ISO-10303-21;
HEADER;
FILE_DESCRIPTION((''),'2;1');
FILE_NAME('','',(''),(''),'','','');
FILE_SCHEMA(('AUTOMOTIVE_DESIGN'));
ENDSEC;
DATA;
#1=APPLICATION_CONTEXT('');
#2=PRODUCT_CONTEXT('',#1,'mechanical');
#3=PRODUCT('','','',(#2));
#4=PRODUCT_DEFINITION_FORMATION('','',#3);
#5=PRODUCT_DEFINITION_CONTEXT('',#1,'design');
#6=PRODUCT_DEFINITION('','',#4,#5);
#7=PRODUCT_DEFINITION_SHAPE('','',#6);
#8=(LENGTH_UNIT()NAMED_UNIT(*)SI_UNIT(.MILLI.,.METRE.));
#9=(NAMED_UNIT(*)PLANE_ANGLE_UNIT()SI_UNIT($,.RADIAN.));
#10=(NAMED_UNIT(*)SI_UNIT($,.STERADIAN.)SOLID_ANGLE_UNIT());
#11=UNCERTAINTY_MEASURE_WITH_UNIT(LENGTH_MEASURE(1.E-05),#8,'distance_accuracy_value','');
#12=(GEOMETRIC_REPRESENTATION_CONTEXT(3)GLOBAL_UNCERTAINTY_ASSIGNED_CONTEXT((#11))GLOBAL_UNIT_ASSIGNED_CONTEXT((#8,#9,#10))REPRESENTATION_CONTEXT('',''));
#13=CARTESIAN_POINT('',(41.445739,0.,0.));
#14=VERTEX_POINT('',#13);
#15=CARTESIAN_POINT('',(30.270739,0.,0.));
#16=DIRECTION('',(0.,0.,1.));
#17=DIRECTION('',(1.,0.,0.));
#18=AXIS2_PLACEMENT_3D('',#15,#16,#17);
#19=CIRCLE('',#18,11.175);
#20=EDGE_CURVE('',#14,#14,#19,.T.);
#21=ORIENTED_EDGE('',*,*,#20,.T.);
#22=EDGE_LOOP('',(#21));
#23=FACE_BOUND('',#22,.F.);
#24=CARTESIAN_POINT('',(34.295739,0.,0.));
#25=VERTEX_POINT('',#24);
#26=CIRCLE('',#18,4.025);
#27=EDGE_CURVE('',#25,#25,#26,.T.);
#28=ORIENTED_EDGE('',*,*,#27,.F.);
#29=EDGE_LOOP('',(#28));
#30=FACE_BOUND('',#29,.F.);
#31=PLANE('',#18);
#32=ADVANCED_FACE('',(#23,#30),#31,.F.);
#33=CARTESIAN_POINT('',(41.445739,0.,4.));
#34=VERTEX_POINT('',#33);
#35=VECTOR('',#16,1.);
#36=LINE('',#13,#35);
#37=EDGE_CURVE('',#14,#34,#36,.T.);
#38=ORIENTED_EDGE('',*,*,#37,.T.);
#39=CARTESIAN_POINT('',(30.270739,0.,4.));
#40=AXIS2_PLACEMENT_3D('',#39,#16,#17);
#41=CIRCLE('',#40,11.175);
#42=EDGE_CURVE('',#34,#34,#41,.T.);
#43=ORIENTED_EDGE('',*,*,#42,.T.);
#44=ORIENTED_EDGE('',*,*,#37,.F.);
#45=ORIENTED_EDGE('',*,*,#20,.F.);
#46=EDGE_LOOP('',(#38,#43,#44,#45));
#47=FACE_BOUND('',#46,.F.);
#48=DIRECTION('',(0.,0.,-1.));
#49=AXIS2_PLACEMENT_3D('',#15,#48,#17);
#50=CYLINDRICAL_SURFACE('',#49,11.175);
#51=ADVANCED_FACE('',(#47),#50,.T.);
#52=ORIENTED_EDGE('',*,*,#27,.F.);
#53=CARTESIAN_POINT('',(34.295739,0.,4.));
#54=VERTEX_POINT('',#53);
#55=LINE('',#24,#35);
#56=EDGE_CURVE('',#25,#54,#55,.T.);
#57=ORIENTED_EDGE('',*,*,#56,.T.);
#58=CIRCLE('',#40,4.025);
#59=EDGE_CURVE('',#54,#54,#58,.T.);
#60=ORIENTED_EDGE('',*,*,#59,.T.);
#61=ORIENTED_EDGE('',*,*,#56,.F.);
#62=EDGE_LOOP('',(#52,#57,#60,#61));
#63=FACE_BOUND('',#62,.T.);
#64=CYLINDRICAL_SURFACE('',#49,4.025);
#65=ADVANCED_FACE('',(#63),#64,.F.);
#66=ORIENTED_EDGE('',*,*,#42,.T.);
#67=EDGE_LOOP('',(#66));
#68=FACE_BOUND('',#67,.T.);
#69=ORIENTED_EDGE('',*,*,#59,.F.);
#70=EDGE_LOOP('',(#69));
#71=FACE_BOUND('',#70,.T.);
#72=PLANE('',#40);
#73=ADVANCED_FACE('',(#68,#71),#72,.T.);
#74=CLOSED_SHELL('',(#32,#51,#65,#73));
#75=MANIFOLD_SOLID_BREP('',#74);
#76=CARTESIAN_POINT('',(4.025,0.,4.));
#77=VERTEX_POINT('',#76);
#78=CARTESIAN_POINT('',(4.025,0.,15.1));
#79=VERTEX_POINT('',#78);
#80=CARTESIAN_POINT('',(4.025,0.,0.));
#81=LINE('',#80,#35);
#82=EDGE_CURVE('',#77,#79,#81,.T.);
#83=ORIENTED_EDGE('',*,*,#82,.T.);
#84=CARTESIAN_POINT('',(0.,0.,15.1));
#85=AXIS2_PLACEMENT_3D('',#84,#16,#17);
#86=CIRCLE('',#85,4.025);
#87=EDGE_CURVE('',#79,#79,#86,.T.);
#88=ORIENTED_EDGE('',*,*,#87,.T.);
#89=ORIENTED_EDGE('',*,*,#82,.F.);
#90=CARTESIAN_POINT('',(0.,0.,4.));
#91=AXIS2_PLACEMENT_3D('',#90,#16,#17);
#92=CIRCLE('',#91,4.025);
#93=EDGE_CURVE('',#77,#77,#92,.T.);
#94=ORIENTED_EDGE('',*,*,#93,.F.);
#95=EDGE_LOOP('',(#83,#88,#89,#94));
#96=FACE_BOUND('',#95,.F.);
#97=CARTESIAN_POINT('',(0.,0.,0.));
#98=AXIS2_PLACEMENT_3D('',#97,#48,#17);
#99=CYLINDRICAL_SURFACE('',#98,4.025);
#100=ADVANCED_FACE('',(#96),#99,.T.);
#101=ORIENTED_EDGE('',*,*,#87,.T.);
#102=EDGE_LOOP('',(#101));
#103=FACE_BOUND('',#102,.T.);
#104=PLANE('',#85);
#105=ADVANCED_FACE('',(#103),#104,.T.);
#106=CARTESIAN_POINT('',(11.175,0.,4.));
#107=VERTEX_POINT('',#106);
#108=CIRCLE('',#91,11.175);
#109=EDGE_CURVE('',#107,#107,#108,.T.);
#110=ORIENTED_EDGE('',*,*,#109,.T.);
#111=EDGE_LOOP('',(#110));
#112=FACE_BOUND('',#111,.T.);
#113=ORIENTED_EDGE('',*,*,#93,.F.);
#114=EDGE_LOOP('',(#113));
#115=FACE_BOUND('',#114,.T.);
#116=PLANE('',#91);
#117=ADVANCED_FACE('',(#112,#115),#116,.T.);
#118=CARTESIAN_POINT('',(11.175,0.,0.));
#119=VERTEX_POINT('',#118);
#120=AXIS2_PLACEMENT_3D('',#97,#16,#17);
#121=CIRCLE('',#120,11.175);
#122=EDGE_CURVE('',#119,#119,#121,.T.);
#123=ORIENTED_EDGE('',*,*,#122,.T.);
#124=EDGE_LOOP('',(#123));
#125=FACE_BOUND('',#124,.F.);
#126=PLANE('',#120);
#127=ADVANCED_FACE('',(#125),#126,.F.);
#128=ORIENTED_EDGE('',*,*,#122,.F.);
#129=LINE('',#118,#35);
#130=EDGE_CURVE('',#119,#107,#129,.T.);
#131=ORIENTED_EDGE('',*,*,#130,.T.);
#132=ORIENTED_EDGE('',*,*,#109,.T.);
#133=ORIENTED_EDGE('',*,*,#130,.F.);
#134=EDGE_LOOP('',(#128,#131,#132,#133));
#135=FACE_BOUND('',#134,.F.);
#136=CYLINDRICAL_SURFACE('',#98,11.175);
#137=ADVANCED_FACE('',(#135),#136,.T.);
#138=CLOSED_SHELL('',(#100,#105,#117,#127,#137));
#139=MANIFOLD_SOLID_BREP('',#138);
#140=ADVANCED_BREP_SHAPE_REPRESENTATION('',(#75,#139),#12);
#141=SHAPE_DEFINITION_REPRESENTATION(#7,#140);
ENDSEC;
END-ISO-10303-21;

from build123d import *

# Parameters (mm, degrees)
F0_R     = 11.175
F0_R_2   = 4.025
F1_DEPTH = 4
F2_DEPTH = 4
F3_DEPTH = 15.1


with BuildPart() as f1:
    # F0 (on Top) → F1 (new body)
    with BuildSketch(Plane.XY):
        Circle(F0_R)
        Circle(F0_R_2, mode=Mode.SUBTRACT)
    extrude(amount=F1_DEPTH)

    # F0 (on Top) → F3 (join)
    with BuildSketch(Plane.XY):
        Circle(F0_R_2)
    extrude(amount=F3_DEPTH)


with BuildPart() as f2:
    # F0 (on Top) → F2 (new body)
    with BuildSketch(Plane.XY):
        with Locations((30.270739, 0)):
            Circle(F0_R)
        with Locations((30.270739, 0)):
            Circle(F0_R_2, mode=Mode.SUBTRACT)
    extrude(amount=F2_DEPTH)


solid = Compound([f1.part, f2.part])
